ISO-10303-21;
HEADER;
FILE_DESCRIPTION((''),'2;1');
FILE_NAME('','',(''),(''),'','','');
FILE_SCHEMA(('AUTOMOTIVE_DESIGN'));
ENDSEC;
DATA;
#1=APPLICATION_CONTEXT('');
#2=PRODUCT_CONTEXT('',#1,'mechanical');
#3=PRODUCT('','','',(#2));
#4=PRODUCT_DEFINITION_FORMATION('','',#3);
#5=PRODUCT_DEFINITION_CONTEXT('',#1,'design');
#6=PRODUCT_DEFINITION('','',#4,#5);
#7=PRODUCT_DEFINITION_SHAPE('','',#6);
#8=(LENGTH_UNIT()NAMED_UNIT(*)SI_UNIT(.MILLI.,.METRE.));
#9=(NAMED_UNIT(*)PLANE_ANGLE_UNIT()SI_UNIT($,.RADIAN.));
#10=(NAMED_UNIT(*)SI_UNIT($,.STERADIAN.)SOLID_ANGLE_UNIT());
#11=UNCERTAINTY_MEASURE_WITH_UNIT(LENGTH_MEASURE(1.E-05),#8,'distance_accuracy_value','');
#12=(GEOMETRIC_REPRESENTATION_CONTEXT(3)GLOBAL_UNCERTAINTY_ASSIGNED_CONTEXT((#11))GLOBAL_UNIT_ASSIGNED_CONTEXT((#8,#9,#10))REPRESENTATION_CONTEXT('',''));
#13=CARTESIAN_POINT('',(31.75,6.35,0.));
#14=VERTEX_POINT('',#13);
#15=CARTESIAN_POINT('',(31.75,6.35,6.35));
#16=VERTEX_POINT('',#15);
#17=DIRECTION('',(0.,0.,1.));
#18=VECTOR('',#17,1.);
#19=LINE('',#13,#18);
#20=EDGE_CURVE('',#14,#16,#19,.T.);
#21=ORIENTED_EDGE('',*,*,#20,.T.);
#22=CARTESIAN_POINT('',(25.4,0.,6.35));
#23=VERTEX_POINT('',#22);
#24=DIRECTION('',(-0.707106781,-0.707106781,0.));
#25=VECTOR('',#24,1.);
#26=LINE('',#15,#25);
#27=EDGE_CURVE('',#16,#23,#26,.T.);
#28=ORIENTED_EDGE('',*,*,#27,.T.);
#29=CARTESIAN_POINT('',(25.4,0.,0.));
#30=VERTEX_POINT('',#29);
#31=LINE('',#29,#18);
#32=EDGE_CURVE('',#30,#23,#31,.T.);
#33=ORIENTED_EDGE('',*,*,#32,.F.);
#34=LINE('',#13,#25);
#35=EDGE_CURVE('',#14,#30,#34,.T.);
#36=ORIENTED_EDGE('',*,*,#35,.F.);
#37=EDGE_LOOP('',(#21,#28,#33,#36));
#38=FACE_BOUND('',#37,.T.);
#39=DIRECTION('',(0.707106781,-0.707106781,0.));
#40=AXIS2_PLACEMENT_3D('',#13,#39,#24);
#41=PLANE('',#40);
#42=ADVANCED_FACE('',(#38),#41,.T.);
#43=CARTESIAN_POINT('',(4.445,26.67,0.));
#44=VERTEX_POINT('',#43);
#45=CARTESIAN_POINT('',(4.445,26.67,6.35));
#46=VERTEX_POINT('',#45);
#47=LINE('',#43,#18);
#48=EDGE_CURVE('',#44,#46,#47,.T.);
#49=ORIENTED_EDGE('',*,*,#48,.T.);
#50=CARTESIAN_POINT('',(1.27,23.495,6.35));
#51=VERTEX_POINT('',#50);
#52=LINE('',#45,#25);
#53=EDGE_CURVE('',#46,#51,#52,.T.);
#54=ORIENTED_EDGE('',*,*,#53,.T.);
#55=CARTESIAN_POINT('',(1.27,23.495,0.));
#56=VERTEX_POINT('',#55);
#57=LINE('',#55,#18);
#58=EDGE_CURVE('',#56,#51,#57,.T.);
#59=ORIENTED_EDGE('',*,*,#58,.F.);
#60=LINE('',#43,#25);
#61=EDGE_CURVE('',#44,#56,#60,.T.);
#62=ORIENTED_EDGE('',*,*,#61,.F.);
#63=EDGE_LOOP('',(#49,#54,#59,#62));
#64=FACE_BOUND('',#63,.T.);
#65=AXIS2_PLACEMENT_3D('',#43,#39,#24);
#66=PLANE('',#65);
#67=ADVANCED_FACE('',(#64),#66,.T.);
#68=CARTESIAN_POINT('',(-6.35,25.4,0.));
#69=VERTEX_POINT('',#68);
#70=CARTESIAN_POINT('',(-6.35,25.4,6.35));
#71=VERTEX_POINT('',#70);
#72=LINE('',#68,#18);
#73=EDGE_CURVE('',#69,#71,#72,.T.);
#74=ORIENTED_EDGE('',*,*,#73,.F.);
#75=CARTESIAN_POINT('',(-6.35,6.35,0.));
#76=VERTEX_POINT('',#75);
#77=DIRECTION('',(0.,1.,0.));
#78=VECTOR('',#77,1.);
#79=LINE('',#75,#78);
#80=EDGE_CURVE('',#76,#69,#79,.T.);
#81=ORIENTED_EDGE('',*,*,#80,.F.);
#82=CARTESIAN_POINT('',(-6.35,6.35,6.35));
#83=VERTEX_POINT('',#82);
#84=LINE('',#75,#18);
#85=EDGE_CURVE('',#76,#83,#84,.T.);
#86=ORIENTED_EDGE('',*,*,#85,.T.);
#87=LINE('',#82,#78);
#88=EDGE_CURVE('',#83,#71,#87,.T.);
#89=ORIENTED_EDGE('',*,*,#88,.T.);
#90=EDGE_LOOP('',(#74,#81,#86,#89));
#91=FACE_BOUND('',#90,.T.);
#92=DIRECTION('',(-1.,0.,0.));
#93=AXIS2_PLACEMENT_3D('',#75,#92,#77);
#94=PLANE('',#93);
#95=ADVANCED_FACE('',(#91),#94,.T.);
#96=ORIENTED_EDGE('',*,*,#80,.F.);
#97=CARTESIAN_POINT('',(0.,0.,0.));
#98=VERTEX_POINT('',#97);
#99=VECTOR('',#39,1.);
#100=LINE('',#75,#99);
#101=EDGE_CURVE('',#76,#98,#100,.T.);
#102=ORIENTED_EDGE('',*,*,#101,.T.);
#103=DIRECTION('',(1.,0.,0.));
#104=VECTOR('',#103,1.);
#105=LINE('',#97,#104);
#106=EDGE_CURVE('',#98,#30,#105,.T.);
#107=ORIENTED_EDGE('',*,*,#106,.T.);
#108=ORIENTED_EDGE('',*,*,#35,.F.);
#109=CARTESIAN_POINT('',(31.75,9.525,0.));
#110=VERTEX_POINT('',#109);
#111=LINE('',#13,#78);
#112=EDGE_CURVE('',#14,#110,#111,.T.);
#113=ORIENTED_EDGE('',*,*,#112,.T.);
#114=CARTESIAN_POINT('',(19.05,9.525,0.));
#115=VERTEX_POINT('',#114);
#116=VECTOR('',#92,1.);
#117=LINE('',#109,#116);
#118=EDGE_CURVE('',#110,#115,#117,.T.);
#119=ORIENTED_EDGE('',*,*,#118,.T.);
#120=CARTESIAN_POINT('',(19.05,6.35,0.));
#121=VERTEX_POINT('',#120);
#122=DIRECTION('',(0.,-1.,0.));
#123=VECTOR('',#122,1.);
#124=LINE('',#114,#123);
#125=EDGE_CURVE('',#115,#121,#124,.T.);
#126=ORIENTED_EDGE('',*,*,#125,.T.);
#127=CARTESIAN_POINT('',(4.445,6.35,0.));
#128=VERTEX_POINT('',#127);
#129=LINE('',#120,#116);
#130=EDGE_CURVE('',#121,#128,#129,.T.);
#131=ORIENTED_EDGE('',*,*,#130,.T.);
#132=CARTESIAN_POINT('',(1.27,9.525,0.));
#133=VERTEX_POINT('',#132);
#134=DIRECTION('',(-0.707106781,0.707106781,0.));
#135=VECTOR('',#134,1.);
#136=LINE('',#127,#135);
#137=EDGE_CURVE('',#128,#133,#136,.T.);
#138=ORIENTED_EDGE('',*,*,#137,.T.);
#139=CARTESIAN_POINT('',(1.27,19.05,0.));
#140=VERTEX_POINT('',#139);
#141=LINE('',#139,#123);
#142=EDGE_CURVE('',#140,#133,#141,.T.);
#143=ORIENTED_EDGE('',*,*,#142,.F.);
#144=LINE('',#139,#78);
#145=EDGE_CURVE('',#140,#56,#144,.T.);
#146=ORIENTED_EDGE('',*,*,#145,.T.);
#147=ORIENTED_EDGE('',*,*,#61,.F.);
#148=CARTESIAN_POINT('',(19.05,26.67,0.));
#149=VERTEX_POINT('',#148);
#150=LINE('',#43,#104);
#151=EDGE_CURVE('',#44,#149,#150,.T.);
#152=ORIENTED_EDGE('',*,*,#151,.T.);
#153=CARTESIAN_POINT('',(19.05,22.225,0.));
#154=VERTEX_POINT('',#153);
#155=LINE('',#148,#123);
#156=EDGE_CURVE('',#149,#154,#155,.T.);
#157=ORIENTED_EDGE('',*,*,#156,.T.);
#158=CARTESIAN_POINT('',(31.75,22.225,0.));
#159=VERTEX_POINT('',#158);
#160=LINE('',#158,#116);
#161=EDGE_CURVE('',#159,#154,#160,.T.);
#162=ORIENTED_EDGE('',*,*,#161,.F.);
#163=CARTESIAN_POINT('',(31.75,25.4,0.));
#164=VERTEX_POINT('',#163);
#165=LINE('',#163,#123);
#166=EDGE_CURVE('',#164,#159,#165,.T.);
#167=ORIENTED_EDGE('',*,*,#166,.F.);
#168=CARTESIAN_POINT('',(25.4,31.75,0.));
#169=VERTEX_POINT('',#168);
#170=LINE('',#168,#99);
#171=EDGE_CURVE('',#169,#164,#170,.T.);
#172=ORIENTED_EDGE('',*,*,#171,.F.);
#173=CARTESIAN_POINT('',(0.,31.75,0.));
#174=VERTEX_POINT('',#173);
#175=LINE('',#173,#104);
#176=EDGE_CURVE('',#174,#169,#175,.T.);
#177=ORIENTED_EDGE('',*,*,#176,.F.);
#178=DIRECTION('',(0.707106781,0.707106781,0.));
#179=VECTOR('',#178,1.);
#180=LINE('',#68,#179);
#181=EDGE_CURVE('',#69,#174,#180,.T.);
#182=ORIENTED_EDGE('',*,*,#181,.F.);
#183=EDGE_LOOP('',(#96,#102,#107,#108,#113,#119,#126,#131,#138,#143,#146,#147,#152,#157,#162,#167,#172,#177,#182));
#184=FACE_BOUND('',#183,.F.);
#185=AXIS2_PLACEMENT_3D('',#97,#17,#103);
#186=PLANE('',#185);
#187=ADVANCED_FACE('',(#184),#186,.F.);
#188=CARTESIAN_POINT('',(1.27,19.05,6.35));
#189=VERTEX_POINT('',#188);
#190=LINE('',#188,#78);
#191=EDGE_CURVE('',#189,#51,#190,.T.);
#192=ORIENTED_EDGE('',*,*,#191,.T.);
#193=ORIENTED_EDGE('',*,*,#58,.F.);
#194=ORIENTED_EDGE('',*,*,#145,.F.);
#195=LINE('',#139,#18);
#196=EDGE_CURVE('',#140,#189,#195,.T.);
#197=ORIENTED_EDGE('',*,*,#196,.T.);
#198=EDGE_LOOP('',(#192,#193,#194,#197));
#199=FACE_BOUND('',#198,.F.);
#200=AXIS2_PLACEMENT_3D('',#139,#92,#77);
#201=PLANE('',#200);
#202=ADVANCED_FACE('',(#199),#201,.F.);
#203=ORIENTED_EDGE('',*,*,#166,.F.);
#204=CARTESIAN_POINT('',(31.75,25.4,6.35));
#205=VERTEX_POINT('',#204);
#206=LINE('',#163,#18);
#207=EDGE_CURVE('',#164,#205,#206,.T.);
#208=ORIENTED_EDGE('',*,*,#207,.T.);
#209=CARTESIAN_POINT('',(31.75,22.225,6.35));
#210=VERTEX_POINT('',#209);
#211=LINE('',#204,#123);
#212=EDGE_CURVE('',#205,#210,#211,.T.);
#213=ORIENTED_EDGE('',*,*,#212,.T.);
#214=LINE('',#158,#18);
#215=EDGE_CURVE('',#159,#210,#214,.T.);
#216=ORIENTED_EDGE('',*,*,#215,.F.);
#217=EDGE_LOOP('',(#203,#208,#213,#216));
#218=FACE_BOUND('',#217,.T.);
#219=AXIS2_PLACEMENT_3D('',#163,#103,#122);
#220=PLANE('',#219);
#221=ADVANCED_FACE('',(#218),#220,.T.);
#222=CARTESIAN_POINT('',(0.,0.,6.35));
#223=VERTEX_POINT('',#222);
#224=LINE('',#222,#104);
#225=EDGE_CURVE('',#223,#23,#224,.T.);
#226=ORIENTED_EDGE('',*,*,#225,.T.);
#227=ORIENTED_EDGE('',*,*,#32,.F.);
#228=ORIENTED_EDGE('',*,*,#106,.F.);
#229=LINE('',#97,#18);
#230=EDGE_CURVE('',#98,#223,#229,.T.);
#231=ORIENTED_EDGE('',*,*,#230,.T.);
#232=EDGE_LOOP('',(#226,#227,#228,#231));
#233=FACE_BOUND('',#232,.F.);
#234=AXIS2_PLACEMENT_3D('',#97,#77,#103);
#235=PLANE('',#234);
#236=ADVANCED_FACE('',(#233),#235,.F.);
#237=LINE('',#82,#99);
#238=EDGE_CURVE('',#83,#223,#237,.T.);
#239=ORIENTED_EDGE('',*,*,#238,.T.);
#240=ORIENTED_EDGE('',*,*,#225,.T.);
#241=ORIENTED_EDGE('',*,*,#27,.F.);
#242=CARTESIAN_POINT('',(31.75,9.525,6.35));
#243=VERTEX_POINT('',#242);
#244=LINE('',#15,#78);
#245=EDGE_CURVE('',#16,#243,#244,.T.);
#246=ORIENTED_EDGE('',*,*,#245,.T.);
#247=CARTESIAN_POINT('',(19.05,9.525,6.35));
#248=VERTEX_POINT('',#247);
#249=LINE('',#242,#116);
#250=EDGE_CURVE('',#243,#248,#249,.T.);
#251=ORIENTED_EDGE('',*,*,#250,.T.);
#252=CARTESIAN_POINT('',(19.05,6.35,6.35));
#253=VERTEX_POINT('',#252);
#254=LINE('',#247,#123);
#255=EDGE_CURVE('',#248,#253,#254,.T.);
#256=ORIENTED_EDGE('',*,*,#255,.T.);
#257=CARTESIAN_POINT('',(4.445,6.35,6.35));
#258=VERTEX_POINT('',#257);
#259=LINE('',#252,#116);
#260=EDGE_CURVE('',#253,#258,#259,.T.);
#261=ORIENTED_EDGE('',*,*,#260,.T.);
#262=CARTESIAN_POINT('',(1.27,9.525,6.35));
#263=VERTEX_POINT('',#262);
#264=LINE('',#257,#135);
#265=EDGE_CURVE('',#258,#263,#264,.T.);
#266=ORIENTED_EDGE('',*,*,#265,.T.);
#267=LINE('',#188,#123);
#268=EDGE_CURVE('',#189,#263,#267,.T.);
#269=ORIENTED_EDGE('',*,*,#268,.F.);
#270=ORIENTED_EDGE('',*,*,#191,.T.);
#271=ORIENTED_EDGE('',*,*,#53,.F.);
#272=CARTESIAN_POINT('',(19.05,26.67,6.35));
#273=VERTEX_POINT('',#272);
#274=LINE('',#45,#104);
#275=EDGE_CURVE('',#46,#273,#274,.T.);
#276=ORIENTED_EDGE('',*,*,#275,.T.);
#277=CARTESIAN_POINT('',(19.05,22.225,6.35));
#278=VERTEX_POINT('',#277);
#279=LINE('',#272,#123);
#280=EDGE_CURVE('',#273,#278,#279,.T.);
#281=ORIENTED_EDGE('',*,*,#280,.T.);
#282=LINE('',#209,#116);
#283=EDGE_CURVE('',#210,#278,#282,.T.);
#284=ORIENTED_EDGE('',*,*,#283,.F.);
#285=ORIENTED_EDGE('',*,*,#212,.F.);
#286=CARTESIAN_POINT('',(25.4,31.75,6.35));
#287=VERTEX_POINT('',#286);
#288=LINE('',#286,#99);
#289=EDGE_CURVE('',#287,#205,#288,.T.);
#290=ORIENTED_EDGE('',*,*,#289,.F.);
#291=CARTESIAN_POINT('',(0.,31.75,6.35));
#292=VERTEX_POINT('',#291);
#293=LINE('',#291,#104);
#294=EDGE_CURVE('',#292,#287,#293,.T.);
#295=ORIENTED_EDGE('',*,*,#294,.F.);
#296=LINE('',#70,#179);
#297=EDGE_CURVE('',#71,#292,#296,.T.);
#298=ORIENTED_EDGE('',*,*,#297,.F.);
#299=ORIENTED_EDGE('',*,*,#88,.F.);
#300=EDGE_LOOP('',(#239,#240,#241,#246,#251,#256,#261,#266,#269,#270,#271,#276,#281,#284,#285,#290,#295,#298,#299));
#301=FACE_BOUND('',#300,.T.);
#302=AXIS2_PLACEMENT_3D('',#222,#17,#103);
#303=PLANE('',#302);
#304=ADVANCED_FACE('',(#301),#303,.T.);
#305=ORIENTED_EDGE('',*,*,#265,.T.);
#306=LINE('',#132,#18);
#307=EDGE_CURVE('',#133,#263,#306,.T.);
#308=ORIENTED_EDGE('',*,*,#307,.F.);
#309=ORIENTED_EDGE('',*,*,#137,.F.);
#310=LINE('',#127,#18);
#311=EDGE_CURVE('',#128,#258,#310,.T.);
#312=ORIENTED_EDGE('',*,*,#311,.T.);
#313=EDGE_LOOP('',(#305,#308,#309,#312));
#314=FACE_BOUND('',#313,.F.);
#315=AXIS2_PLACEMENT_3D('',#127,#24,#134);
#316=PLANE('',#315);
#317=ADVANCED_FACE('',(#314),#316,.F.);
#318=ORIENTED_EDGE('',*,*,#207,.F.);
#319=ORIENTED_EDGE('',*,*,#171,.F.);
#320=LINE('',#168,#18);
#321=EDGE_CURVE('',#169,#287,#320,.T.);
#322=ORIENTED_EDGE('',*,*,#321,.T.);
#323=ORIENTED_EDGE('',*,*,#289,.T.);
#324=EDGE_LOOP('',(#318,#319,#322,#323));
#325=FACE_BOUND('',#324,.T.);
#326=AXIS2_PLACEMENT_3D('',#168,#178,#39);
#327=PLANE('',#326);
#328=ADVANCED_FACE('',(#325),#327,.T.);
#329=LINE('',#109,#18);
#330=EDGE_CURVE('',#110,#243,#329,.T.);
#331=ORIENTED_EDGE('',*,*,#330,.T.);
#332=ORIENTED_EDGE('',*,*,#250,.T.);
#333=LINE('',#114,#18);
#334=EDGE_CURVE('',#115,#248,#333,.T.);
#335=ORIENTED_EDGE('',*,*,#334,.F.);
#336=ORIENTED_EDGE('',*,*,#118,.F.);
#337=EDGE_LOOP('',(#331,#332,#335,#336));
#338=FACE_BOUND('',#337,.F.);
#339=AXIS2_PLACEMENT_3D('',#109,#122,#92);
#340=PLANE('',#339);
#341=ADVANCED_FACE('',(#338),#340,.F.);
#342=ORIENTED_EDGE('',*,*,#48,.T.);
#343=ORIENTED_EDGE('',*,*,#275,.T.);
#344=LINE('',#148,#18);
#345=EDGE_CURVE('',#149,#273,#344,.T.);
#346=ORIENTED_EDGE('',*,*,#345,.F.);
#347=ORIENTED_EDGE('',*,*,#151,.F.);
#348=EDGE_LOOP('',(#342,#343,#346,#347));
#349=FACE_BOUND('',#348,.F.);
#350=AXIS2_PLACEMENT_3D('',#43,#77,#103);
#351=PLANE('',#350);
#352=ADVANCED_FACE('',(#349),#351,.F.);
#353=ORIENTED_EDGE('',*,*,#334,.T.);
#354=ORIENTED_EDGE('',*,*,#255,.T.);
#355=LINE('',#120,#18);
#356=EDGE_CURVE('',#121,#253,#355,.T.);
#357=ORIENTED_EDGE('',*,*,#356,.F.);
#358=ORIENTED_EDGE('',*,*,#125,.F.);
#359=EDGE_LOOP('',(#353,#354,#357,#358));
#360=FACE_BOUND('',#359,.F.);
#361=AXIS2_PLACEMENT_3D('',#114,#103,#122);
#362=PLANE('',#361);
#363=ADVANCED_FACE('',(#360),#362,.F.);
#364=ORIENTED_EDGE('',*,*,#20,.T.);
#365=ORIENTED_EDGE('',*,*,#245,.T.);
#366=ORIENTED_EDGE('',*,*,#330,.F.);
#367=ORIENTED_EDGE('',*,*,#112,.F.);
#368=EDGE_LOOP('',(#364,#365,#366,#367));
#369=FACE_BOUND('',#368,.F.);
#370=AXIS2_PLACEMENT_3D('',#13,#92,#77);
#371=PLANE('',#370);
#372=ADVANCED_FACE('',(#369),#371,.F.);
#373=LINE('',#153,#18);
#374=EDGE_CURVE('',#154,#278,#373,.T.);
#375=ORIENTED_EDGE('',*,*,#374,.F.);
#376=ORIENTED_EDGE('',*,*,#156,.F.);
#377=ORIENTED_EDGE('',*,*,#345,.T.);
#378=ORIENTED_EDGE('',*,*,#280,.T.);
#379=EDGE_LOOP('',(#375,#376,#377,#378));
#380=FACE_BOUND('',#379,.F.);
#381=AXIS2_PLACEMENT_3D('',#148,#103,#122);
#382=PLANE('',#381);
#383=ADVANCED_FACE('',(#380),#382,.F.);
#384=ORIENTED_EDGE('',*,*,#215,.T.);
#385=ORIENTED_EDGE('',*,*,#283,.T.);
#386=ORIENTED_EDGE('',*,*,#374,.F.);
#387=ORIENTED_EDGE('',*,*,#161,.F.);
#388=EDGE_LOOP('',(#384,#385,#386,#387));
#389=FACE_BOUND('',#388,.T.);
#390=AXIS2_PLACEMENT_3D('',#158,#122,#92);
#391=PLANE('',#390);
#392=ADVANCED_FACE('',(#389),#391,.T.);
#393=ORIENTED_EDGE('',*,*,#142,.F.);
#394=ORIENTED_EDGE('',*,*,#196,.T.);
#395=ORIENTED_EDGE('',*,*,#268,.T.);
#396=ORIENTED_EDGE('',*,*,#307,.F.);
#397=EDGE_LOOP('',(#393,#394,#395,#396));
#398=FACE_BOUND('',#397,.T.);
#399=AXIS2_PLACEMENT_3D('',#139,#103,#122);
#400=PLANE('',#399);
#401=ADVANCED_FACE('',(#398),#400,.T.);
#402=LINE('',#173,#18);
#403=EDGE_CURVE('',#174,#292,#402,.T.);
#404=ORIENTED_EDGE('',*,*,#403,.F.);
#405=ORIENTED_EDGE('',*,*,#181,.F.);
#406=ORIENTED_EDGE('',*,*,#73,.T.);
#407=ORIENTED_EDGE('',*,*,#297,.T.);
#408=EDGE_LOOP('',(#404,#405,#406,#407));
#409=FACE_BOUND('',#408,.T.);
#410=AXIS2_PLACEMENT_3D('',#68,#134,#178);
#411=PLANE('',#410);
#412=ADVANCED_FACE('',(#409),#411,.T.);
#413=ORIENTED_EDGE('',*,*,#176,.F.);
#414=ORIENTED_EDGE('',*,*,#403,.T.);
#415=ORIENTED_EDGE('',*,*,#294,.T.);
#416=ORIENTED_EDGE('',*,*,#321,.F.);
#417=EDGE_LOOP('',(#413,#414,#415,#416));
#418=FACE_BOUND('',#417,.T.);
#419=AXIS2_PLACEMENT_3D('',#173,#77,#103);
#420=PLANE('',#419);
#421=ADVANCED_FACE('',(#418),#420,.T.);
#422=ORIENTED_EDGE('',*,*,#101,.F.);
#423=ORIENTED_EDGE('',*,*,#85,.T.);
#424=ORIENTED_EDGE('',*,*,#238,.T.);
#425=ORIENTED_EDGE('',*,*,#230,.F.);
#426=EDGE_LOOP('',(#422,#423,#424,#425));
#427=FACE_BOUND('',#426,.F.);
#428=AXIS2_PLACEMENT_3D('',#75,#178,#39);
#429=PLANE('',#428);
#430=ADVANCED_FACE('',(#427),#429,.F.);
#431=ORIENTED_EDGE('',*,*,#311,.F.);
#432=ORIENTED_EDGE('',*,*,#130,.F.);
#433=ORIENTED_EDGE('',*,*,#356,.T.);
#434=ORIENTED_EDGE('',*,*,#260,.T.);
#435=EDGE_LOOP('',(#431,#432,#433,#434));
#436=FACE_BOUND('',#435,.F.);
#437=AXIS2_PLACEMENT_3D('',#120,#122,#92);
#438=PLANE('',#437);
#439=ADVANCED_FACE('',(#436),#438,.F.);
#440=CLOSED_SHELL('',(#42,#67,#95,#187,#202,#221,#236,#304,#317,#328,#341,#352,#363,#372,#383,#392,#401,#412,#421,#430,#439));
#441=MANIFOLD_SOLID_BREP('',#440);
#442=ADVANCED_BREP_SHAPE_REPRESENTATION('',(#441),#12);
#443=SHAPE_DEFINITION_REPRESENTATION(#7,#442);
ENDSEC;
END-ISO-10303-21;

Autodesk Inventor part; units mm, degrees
ref_plane "YZ Plane" through (0, 0, 0) normal (1, 0, 0) x (0, 1, 0)
ref_plane "XZ Plane" through (0, 0, 0) normal (0, 1, 0) x (-1, 0, 0)
ref_plane "XY Plane" through (0, 0, 0) normal (0, 0, 1) x (1, 0, 0)
sketch "Sketch1" plane through (0, 0, 0) normal (0, 0, 1) x (1, 0, 0)
  line L0 (0, 0) -> (25.4, 0)
  line L1 (-6.35, 6.35) -> (0, 0)
  line L2 (31.75, 6.35) -> (25.4, 0)
  line L3 (-6.35, 6.35) -> (-6.35, 25.4)
  line L4 (-6.35, 25.4) -> (0, 31.75)
  line L5 (0, 31.75) -> (25.4, 31.75)
  line L6 (25.4, 31.75) -> (31.75, 25.4)
  line L7 (31.75, 25.4) -> (31.75, 22.225)
  line L8 (31.75, 22.225) -> (19.05, 22.225)
  line L9 (19.05, 26.67) -> (19.05, 22.225)
  line L10 (1.27, 19.05) -> (1.27, 9.525)
  line L11 (4.445, 6.35) -> (1.27, 9.525)
  line L12 (1.27, 19.05) -> (1.27, 23.495)
  line L13 (4.445, 26.67) -> (1.27, 23.495)
  line L14 (31.75, 6.35) -> (31.75, 9.525)
  line L15 (31.75, 9.525) -> (19.05, 9.525)
  line L16 (19.05, 9.525) -> (19.05, 6.35)
  line L17 (19.05, 6.35) -> (4.445, 6.35)
  line L18 (4.445, 26.67) -> (19.05, 26.67)
  dimension "d0" = 25.4
  dimension "d6" = 19.05
  dimension "d7" = 25.4
  dimension "d8" = 3.175
  dimension "d9" = 12.7
  dimension "d21" = 3.175
  dimension "d22" = 12.7
  dimension "d23" = 3.175
extrude "Extrusion1" add sketch "Sketch1" along normal blind 6.35
properties part number "Assignment 2.1 - C-Clip"
